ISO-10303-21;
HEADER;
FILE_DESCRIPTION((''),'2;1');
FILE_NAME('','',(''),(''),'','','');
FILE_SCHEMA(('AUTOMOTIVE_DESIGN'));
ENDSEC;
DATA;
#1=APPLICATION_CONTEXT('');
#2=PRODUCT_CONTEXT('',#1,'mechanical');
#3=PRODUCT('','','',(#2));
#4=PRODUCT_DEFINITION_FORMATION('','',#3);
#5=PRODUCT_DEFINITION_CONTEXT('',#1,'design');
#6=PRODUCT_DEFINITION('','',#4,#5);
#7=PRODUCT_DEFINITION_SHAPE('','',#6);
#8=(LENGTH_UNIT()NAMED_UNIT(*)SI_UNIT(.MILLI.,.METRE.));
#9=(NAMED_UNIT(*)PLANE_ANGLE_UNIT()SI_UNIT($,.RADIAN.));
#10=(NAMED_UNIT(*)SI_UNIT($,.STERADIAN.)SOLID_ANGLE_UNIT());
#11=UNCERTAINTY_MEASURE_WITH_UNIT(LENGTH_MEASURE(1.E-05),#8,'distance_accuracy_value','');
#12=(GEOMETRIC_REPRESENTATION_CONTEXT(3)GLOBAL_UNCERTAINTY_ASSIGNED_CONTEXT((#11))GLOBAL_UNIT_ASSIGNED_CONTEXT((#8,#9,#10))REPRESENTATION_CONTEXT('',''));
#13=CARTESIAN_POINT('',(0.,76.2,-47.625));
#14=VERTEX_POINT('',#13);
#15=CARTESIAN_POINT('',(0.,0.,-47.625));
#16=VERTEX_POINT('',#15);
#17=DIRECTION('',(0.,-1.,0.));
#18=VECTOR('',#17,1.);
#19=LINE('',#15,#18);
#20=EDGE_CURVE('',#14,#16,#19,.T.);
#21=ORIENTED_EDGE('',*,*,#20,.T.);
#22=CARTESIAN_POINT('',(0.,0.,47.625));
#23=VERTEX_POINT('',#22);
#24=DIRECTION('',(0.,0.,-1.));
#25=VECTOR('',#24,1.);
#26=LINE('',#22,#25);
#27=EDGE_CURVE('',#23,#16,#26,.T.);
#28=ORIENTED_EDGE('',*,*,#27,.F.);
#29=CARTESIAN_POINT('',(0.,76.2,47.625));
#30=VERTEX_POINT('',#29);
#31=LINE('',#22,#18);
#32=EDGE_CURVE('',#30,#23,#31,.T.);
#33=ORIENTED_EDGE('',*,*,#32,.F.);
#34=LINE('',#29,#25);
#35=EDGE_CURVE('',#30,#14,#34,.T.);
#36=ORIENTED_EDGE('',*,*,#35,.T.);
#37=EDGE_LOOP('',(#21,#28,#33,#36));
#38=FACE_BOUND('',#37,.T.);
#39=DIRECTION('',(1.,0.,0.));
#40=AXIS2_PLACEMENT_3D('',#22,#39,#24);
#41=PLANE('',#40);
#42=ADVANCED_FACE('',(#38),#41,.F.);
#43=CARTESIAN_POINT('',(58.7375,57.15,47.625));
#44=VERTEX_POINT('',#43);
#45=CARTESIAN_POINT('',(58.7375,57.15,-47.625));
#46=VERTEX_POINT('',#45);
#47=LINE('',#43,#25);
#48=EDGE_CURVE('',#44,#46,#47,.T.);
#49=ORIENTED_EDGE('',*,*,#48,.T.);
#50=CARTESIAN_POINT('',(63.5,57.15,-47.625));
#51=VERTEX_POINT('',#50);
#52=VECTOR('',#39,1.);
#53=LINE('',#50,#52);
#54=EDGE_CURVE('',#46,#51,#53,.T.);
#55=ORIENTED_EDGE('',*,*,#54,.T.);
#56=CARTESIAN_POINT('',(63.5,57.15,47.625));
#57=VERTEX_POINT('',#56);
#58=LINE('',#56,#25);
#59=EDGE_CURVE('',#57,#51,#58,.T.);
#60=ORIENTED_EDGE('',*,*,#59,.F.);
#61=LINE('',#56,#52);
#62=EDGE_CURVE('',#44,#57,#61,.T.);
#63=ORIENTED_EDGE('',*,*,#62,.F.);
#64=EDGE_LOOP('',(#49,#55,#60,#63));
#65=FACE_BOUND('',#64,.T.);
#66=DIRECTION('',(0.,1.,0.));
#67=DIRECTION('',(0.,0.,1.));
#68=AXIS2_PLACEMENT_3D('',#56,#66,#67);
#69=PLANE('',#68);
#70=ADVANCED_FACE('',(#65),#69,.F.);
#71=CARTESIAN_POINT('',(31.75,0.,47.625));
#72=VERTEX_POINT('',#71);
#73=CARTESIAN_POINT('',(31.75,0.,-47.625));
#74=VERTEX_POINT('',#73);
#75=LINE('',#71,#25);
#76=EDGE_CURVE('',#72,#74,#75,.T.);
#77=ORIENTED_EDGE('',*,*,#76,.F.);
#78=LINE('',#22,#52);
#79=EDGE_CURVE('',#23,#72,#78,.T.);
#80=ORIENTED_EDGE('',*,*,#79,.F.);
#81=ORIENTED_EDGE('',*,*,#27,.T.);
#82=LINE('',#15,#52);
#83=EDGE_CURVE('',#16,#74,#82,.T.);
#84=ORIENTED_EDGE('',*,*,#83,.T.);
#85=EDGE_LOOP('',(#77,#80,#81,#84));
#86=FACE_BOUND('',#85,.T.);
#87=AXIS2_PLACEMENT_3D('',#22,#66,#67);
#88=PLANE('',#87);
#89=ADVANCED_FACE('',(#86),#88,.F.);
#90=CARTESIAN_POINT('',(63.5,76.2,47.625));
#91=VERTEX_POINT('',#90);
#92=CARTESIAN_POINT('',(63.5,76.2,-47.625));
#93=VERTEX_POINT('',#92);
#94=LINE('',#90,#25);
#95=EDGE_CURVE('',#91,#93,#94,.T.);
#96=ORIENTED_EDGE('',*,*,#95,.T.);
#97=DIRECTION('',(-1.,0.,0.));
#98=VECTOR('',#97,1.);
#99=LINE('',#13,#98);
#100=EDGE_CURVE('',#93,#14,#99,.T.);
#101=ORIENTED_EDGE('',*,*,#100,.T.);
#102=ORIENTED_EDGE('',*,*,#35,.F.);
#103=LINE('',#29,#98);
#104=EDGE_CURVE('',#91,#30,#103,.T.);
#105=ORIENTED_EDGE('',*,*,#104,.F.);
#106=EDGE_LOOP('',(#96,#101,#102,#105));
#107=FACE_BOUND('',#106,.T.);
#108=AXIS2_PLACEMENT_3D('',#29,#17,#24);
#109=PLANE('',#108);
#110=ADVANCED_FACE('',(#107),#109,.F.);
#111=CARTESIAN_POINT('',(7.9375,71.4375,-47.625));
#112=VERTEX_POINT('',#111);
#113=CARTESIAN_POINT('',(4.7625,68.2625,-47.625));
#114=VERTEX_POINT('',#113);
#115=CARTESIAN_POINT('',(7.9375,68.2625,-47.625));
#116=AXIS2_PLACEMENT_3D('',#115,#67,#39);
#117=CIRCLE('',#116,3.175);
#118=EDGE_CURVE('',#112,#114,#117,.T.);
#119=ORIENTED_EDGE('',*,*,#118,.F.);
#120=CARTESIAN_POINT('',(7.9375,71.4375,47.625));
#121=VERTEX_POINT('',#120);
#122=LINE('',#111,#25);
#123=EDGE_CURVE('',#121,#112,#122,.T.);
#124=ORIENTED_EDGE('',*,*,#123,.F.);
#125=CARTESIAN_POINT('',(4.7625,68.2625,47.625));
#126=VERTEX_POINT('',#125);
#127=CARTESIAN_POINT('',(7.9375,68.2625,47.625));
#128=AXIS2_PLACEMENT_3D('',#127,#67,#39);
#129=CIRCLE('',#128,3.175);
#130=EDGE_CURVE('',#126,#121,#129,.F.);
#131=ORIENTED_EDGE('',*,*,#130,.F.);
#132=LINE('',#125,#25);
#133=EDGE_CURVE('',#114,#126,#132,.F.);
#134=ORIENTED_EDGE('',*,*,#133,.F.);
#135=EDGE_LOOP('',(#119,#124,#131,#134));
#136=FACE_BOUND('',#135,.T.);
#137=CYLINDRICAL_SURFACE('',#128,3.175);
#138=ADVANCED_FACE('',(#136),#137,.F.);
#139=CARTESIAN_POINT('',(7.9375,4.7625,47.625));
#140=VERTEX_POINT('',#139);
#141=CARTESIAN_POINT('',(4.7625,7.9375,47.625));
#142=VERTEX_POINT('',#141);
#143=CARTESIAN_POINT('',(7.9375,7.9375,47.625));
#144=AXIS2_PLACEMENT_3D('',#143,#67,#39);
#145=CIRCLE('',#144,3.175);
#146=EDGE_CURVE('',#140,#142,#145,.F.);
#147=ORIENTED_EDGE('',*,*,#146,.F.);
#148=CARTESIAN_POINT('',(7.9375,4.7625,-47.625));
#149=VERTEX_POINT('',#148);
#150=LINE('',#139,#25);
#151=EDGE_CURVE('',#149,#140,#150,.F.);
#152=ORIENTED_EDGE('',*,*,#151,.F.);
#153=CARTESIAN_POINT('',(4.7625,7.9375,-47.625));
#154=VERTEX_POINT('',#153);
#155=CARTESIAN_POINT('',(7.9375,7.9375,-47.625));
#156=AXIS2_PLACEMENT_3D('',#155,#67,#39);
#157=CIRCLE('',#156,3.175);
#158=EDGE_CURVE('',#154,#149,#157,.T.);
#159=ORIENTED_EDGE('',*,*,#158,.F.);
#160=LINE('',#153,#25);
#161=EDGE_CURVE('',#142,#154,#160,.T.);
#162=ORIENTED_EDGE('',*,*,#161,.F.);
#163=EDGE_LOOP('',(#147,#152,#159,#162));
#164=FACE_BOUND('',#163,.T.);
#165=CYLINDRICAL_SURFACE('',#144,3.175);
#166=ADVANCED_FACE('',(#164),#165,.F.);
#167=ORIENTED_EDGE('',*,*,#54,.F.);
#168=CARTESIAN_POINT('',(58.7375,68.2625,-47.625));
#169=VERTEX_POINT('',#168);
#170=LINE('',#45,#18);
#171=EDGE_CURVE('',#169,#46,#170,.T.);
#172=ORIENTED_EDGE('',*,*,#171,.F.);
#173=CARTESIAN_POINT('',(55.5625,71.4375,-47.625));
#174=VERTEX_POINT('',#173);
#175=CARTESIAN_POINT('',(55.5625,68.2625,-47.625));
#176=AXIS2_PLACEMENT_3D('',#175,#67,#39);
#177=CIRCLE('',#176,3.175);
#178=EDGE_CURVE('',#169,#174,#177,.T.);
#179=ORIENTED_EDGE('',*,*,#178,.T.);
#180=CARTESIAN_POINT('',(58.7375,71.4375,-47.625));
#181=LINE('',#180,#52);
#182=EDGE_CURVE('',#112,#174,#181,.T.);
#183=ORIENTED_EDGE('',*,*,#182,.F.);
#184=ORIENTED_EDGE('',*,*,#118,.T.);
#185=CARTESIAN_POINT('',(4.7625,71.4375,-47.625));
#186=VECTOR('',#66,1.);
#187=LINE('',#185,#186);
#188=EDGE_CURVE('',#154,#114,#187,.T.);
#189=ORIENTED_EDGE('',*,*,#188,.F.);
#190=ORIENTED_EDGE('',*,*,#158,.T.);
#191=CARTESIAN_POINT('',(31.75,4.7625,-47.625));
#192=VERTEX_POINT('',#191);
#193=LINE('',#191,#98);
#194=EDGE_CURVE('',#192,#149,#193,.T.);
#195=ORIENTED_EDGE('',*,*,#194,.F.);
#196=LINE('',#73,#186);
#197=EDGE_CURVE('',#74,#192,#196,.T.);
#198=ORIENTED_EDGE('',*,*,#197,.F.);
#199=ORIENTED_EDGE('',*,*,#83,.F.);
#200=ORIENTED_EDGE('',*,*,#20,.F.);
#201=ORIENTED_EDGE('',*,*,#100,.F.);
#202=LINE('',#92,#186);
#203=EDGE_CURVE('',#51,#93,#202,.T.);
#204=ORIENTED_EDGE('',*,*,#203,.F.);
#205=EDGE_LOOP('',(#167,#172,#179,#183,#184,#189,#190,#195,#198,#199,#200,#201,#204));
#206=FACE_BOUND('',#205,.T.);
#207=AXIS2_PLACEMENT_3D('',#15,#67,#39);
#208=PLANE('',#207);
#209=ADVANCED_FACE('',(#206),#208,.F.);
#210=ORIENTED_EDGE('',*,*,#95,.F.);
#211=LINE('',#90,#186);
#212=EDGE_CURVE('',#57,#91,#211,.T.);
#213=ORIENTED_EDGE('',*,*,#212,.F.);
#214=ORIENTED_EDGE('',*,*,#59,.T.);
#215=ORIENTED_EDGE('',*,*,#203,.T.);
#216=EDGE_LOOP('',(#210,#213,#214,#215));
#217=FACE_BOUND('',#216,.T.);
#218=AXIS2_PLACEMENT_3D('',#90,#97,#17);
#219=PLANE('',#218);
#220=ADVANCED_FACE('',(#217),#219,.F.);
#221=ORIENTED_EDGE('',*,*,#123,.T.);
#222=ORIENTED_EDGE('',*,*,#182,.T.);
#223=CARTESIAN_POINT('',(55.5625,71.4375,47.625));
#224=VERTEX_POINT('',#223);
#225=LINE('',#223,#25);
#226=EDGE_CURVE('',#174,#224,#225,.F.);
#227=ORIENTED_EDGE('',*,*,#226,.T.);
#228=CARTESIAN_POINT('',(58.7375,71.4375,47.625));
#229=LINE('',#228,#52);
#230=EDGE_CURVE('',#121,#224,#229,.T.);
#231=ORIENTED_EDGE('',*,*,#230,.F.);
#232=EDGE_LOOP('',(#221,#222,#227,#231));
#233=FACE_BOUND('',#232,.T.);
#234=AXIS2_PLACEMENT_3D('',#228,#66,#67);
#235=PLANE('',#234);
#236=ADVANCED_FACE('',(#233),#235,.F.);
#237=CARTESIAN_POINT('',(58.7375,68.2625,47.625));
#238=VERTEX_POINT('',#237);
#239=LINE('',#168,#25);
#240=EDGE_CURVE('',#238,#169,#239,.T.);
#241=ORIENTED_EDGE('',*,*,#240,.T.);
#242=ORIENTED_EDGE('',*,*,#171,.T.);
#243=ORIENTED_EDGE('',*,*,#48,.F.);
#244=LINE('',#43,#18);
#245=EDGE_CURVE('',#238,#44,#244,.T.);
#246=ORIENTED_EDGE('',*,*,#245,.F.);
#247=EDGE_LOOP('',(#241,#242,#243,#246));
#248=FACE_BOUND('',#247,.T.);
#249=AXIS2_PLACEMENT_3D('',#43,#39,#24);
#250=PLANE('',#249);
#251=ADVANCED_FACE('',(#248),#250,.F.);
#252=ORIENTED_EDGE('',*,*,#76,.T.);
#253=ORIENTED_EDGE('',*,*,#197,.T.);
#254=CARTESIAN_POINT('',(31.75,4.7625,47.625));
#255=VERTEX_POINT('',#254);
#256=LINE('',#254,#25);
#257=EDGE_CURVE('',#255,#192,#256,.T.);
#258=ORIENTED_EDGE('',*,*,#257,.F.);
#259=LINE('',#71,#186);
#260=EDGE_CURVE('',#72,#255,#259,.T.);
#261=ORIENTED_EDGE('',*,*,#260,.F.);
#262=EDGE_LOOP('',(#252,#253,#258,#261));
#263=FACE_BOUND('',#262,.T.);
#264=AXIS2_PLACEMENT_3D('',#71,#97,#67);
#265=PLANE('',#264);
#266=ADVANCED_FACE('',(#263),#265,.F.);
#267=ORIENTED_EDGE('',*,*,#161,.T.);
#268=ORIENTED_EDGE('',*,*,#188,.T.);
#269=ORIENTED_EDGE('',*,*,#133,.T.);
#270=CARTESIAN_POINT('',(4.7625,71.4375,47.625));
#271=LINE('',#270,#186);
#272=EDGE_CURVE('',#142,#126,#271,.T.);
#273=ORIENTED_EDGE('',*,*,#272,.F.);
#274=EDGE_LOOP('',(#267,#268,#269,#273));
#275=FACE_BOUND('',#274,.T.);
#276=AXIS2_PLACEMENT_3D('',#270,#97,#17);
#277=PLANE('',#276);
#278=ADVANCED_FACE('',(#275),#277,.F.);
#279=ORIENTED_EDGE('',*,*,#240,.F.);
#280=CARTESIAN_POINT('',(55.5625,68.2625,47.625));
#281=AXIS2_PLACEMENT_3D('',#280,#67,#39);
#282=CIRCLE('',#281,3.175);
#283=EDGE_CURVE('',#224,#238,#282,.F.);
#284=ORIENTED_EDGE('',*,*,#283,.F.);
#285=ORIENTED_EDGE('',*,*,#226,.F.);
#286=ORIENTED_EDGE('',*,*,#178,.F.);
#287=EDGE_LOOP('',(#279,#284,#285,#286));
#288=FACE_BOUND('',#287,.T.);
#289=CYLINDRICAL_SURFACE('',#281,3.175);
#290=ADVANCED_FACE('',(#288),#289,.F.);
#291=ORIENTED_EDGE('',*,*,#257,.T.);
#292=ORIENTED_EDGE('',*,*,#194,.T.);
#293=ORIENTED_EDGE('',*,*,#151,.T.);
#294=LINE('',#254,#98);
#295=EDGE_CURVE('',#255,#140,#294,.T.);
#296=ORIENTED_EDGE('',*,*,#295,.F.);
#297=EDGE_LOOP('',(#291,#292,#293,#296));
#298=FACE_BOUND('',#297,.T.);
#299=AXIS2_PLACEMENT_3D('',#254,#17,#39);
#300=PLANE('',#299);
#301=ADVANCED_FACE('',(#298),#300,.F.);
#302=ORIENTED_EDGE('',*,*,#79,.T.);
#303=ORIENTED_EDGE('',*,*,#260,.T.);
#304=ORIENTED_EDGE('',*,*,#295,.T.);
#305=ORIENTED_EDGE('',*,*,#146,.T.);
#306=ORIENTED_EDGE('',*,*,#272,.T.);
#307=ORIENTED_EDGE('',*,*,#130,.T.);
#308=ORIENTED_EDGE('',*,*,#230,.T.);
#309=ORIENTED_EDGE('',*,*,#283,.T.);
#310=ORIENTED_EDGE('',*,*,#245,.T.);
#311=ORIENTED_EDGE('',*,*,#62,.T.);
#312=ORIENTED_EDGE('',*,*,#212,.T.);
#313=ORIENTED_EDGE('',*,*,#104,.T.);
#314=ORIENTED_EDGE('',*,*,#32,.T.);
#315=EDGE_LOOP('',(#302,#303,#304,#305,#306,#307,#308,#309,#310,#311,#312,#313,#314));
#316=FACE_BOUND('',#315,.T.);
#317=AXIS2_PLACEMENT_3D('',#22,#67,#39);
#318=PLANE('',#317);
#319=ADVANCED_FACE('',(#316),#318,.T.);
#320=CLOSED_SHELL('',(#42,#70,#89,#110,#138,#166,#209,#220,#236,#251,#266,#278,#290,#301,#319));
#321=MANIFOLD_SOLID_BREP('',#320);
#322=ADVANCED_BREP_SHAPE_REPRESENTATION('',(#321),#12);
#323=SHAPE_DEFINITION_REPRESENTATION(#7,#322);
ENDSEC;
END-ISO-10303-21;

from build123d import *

# Parameters (mm, degrees)
BOSS_EXTRUDE1_DEPTH = 47.625
FILLET1_R           = 3.175
FILLET2_R           = 3.175
FILLET3_R           = 3.175


with BuildPart() as part:
    # Sketch2 → Boss-Extrude1 (new, symmetric)
    with BuildSketch(Plane.XY):
        Polygon((0, 0), (0, 76.2), (63.5, 76.2), (63.5, 57.15), (58.7375, 57.15), (58.7375, 71.4375), (4.7625, 71.4375), (4.7625, 4.7625), (31.75, 4.7625), (31.75, 0), align=None)
    extrude(amount=BOSS_EXTRUDE1_DEPTH, both=True)

    # Fillet1
    fillet1_edges = [part.edges().sort_by_distance(p)[0] for p in [
        (4.7625, 71.4375, 0),
    ]]
    fillet(fillet1_edges, radius=FILLET1_R)

    # Fillet2
    fillet2_edges = [part.edges().sort_by_distance(p)[0] for p in [
        (4.7625, 4.7625, 0),
    ]]
    fillet(fillet2_edges, radius=FILLET2_R)

    # Fillet3
    fillet3_edges = [part.edges().sort_by_distance(p)[0] for p in [
        (58.7375, 71.4375, 0),
    ]]
    fillet(fillet3_edges, radius=FILLET3_R)


solid = part.part
